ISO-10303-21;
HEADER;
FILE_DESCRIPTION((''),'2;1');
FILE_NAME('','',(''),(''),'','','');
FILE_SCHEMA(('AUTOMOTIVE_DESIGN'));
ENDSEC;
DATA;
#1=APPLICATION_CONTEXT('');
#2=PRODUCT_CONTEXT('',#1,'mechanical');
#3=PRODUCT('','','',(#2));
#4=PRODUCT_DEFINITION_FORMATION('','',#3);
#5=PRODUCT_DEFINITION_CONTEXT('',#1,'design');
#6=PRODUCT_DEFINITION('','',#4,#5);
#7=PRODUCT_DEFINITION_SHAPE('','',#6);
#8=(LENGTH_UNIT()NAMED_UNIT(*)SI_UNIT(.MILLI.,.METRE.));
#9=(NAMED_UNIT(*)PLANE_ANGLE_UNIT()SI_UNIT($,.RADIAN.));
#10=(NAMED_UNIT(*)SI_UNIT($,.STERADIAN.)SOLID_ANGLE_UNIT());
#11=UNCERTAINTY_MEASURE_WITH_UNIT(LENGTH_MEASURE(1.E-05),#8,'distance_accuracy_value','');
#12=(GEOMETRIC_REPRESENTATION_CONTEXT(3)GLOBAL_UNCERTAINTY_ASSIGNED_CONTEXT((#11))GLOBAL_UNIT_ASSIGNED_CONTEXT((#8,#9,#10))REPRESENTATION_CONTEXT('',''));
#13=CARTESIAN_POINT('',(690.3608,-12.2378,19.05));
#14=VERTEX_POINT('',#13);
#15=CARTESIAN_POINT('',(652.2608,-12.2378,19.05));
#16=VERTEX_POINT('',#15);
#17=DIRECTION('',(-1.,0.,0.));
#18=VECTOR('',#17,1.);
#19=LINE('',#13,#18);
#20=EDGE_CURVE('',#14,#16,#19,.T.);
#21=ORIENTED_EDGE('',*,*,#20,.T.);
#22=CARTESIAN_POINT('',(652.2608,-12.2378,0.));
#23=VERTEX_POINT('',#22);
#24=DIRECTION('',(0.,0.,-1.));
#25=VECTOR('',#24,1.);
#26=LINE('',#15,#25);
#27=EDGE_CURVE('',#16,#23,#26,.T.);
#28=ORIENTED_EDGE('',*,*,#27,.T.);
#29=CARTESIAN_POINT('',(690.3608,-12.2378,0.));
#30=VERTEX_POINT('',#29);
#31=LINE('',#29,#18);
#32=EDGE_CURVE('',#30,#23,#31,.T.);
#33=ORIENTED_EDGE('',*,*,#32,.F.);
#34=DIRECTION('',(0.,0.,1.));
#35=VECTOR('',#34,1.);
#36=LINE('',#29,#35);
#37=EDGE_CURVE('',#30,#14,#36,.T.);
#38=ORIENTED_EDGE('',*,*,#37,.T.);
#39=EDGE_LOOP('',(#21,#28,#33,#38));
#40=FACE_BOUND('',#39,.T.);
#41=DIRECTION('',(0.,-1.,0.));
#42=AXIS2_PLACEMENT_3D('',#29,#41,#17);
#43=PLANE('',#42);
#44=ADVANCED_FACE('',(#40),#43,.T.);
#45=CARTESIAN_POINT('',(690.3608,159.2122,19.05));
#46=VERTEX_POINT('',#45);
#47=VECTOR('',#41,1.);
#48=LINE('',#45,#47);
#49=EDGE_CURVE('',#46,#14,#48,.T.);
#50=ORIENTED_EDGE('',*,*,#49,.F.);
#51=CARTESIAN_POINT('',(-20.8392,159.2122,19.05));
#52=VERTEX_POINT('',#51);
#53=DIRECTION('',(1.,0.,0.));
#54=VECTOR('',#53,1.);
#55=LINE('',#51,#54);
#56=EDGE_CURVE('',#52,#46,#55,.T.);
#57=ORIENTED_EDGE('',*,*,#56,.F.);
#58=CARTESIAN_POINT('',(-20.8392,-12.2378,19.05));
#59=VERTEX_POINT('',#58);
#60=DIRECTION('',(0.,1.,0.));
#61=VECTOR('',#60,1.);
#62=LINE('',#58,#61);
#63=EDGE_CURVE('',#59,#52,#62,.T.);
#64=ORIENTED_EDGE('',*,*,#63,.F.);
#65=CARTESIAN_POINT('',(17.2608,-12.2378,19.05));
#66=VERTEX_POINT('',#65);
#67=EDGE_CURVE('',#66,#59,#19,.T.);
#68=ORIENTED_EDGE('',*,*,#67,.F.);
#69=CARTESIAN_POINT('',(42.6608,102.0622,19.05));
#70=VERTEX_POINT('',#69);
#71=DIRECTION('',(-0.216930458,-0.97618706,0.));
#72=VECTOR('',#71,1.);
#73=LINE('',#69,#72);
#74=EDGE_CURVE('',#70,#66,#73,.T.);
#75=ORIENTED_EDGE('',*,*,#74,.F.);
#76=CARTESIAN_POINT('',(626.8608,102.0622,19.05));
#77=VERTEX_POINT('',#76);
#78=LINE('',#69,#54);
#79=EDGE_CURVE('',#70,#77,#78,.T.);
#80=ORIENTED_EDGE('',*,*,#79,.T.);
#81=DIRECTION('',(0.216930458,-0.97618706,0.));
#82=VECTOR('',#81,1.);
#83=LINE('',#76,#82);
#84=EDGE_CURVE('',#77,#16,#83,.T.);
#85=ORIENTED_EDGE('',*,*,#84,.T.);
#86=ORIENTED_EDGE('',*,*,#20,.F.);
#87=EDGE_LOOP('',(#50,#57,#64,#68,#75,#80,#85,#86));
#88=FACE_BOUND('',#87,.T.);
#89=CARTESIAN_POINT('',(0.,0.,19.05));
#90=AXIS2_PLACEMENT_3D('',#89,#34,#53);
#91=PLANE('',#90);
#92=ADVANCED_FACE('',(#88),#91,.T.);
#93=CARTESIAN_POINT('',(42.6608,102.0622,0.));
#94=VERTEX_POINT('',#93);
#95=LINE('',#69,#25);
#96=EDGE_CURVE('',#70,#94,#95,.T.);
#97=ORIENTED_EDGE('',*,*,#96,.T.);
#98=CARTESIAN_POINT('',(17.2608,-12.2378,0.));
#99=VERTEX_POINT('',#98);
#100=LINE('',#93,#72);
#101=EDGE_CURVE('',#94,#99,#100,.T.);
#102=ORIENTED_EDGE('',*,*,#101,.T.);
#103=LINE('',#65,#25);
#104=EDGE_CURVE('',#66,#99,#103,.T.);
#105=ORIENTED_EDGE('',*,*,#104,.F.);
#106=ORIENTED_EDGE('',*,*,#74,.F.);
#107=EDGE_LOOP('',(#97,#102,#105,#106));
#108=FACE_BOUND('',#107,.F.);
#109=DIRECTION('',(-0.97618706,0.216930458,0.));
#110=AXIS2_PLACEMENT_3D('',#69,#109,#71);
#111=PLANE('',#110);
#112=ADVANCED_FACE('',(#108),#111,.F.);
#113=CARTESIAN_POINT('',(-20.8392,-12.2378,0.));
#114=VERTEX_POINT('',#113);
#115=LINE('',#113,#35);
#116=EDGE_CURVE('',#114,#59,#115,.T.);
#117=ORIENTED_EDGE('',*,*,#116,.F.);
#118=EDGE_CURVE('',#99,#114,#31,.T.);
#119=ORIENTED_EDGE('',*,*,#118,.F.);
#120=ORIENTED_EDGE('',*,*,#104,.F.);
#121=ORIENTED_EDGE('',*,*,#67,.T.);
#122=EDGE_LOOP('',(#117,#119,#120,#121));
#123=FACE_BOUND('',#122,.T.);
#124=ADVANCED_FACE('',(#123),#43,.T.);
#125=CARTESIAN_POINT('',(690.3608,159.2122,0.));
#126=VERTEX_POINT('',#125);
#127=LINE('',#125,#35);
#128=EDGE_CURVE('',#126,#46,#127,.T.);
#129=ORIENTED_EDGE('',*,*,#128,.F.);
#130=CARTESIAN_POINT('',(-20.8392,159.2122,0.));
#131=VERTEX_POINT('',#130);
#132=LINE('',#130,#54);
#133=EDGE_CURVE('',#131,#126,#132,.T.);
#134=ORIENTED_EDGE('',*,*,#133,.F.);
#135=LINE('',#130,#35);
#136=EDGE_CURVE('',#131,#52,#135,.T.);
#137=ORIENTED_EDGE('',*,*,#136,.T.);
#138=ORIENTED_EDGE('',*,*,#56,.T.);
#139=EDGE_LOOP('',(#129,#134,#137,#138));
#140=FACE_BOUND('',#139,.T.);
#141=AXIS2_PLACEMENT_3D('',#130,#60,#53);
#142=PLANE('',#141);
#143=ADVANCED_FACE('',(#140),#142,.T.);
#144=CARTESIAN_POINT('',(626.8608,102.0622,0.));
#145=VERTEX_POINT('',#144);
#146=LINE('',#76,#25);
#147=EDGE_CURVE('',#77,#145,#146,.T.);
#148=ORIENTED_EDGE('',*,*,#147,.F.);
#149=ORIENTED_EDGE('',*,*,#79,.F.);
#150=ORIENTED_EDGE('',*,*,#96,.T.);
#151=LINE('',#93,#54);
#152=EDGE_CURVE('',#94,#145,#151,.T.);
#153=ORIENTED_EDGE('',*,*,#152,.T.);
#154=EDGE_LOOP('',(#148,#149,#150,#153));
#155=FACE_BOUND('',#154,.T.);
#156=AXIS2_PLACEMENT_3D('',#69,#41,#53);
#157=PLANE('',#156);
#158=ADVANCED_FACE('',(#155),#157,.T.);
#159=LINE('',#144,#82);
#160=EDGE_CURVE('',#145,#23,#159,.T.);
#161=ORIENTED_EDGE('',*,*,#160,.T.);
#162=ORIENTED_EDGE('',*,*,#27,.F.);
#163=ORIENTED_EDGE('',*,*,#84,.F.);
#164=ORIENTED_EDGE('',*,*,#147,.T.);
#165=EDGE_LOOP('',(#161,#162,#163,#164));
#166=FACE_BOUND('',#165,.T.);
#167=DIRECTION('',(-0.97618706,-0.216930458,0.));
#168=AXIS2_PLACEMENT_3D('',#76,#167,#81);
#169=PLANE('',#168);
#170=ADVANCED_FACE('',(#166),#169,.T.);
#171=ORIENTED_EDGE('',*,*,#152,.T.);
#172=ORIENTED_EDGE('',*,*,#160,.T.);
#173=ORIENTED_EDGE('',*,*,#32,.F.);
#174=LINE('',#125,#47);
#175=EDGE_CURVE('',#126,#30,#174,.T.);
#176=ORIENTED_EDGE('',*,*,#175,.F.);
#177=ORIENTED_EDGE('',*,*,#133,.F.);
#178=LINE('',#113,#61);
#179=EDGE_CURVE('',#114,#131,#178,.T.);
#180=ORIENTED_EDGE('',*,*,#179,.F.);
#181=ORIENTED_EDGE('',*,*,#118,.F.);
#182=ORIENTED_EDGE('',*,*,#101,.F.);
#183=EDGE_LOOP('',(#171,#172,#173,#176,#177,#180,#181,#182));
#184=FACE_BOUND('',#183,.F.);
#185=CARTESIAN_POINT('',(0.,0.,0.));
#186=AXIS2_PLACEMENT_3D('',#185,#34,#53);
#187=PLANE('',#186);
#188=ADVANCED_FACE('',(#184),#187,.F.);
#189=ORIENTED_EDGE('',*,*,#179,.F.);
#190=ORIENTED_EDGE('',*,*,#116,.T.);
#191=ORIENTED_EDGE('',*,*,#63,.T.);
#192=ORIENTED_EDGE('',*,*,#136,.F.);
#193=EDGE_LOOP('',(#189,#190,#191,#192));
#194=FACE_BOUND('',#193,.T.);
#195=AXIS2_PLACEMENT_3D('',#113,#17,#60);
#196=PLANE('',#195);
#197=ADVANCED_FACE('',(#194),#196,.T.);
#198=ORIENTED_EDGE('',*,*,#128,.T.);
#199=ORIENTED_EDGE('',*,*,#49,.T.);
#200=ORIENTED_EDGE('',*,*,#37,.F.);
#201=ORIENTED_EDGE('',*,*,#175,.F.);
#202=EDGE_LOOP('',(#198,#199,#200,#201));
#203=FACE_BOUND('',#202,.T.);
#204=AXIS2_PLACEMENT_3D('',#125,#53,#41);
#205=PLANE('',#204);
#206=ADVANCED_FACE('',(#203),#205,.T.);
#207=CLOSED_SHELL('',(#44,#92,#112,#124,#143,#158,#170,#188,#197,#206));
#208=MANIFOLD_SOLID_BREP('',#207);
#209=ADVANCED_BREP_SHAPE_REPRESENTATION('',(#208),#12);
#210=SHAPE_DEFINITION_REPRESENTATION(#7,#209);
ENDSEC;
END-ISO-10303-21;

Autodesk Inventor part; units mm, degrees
ref_plane "YZ Plane" through (0, 0, 0) normal (1, 0, 0) x (0, 1, 0)
ref_plane "XZ Plane" through (0, 0, 0) normal (0, 1, 0) x (-1, 0, 0)
ref_plane "XY Plane" through (0, 0, 0) normal (0, 0, 1) x (1, 0, 0)
sketch "Sketch1" plane through (0, 0, 0) normal (0, 0, 1) x (1, 0, 0)
  line L0 (-20.8392, 159.2122) -> (690.3608, 159.2122)
  line L1 (690.3608, 159.2122) -> (690.3608, -12.2378)
  line L2 (690.3608, -12.2378) -> (-20.8392, -12.2378)
  line L3 (-20.8392, -12.2378) -> (-20.8392, 159.2122)
  point P0 (0, 0)
  dimension "d0" = 171.45
  dimension "d1" = 711.2
extrude "Extrusion1" add sketch "Sketch1" along normal blind 19.05
sketch "Sketch2" plane through (0, 0, 19.05) normal (0, 0, 1) x (1, 0, 0)
  line L0 (690.3608, 159.2122) -> (690.3608, -12.2378) projected
  line L1 (-20.8392, -12.2378) -> (-20.8392, 159.2122) projected
  line L2 (690.3608, -12.2378) -> (-20.8392, -12.2378) projected
  line L3 (42.6608, 102.0622) -> (626.8608, 102.0622)
  line L4 (626.8608, 102.0622) -> (626.8608, -12.2378)
  line L5 (626.8608, -12.2378) -> (42.6608, -12.2378)
  line L6 (42.6608, -12.2378) -> (42.6608, 102.0622)
  line L7 (42.6608, 102.0622) -> (17.2608, -12.2378)
  line L8 (626.8608, 102.0622) -> (652.2608, -12.2378)
  point P0 (0, 0)
  dimension "d4" = 25.4
  dimension "d5" = 25.4
  dimension "d6" = 38.1
  dimension "d7" = 38.1
  dimension "d10" = 114.3
extrude "Extrusion2" cut sketch "Sketch2" against normal blind 19.05
properties part number "ridgidizer"
